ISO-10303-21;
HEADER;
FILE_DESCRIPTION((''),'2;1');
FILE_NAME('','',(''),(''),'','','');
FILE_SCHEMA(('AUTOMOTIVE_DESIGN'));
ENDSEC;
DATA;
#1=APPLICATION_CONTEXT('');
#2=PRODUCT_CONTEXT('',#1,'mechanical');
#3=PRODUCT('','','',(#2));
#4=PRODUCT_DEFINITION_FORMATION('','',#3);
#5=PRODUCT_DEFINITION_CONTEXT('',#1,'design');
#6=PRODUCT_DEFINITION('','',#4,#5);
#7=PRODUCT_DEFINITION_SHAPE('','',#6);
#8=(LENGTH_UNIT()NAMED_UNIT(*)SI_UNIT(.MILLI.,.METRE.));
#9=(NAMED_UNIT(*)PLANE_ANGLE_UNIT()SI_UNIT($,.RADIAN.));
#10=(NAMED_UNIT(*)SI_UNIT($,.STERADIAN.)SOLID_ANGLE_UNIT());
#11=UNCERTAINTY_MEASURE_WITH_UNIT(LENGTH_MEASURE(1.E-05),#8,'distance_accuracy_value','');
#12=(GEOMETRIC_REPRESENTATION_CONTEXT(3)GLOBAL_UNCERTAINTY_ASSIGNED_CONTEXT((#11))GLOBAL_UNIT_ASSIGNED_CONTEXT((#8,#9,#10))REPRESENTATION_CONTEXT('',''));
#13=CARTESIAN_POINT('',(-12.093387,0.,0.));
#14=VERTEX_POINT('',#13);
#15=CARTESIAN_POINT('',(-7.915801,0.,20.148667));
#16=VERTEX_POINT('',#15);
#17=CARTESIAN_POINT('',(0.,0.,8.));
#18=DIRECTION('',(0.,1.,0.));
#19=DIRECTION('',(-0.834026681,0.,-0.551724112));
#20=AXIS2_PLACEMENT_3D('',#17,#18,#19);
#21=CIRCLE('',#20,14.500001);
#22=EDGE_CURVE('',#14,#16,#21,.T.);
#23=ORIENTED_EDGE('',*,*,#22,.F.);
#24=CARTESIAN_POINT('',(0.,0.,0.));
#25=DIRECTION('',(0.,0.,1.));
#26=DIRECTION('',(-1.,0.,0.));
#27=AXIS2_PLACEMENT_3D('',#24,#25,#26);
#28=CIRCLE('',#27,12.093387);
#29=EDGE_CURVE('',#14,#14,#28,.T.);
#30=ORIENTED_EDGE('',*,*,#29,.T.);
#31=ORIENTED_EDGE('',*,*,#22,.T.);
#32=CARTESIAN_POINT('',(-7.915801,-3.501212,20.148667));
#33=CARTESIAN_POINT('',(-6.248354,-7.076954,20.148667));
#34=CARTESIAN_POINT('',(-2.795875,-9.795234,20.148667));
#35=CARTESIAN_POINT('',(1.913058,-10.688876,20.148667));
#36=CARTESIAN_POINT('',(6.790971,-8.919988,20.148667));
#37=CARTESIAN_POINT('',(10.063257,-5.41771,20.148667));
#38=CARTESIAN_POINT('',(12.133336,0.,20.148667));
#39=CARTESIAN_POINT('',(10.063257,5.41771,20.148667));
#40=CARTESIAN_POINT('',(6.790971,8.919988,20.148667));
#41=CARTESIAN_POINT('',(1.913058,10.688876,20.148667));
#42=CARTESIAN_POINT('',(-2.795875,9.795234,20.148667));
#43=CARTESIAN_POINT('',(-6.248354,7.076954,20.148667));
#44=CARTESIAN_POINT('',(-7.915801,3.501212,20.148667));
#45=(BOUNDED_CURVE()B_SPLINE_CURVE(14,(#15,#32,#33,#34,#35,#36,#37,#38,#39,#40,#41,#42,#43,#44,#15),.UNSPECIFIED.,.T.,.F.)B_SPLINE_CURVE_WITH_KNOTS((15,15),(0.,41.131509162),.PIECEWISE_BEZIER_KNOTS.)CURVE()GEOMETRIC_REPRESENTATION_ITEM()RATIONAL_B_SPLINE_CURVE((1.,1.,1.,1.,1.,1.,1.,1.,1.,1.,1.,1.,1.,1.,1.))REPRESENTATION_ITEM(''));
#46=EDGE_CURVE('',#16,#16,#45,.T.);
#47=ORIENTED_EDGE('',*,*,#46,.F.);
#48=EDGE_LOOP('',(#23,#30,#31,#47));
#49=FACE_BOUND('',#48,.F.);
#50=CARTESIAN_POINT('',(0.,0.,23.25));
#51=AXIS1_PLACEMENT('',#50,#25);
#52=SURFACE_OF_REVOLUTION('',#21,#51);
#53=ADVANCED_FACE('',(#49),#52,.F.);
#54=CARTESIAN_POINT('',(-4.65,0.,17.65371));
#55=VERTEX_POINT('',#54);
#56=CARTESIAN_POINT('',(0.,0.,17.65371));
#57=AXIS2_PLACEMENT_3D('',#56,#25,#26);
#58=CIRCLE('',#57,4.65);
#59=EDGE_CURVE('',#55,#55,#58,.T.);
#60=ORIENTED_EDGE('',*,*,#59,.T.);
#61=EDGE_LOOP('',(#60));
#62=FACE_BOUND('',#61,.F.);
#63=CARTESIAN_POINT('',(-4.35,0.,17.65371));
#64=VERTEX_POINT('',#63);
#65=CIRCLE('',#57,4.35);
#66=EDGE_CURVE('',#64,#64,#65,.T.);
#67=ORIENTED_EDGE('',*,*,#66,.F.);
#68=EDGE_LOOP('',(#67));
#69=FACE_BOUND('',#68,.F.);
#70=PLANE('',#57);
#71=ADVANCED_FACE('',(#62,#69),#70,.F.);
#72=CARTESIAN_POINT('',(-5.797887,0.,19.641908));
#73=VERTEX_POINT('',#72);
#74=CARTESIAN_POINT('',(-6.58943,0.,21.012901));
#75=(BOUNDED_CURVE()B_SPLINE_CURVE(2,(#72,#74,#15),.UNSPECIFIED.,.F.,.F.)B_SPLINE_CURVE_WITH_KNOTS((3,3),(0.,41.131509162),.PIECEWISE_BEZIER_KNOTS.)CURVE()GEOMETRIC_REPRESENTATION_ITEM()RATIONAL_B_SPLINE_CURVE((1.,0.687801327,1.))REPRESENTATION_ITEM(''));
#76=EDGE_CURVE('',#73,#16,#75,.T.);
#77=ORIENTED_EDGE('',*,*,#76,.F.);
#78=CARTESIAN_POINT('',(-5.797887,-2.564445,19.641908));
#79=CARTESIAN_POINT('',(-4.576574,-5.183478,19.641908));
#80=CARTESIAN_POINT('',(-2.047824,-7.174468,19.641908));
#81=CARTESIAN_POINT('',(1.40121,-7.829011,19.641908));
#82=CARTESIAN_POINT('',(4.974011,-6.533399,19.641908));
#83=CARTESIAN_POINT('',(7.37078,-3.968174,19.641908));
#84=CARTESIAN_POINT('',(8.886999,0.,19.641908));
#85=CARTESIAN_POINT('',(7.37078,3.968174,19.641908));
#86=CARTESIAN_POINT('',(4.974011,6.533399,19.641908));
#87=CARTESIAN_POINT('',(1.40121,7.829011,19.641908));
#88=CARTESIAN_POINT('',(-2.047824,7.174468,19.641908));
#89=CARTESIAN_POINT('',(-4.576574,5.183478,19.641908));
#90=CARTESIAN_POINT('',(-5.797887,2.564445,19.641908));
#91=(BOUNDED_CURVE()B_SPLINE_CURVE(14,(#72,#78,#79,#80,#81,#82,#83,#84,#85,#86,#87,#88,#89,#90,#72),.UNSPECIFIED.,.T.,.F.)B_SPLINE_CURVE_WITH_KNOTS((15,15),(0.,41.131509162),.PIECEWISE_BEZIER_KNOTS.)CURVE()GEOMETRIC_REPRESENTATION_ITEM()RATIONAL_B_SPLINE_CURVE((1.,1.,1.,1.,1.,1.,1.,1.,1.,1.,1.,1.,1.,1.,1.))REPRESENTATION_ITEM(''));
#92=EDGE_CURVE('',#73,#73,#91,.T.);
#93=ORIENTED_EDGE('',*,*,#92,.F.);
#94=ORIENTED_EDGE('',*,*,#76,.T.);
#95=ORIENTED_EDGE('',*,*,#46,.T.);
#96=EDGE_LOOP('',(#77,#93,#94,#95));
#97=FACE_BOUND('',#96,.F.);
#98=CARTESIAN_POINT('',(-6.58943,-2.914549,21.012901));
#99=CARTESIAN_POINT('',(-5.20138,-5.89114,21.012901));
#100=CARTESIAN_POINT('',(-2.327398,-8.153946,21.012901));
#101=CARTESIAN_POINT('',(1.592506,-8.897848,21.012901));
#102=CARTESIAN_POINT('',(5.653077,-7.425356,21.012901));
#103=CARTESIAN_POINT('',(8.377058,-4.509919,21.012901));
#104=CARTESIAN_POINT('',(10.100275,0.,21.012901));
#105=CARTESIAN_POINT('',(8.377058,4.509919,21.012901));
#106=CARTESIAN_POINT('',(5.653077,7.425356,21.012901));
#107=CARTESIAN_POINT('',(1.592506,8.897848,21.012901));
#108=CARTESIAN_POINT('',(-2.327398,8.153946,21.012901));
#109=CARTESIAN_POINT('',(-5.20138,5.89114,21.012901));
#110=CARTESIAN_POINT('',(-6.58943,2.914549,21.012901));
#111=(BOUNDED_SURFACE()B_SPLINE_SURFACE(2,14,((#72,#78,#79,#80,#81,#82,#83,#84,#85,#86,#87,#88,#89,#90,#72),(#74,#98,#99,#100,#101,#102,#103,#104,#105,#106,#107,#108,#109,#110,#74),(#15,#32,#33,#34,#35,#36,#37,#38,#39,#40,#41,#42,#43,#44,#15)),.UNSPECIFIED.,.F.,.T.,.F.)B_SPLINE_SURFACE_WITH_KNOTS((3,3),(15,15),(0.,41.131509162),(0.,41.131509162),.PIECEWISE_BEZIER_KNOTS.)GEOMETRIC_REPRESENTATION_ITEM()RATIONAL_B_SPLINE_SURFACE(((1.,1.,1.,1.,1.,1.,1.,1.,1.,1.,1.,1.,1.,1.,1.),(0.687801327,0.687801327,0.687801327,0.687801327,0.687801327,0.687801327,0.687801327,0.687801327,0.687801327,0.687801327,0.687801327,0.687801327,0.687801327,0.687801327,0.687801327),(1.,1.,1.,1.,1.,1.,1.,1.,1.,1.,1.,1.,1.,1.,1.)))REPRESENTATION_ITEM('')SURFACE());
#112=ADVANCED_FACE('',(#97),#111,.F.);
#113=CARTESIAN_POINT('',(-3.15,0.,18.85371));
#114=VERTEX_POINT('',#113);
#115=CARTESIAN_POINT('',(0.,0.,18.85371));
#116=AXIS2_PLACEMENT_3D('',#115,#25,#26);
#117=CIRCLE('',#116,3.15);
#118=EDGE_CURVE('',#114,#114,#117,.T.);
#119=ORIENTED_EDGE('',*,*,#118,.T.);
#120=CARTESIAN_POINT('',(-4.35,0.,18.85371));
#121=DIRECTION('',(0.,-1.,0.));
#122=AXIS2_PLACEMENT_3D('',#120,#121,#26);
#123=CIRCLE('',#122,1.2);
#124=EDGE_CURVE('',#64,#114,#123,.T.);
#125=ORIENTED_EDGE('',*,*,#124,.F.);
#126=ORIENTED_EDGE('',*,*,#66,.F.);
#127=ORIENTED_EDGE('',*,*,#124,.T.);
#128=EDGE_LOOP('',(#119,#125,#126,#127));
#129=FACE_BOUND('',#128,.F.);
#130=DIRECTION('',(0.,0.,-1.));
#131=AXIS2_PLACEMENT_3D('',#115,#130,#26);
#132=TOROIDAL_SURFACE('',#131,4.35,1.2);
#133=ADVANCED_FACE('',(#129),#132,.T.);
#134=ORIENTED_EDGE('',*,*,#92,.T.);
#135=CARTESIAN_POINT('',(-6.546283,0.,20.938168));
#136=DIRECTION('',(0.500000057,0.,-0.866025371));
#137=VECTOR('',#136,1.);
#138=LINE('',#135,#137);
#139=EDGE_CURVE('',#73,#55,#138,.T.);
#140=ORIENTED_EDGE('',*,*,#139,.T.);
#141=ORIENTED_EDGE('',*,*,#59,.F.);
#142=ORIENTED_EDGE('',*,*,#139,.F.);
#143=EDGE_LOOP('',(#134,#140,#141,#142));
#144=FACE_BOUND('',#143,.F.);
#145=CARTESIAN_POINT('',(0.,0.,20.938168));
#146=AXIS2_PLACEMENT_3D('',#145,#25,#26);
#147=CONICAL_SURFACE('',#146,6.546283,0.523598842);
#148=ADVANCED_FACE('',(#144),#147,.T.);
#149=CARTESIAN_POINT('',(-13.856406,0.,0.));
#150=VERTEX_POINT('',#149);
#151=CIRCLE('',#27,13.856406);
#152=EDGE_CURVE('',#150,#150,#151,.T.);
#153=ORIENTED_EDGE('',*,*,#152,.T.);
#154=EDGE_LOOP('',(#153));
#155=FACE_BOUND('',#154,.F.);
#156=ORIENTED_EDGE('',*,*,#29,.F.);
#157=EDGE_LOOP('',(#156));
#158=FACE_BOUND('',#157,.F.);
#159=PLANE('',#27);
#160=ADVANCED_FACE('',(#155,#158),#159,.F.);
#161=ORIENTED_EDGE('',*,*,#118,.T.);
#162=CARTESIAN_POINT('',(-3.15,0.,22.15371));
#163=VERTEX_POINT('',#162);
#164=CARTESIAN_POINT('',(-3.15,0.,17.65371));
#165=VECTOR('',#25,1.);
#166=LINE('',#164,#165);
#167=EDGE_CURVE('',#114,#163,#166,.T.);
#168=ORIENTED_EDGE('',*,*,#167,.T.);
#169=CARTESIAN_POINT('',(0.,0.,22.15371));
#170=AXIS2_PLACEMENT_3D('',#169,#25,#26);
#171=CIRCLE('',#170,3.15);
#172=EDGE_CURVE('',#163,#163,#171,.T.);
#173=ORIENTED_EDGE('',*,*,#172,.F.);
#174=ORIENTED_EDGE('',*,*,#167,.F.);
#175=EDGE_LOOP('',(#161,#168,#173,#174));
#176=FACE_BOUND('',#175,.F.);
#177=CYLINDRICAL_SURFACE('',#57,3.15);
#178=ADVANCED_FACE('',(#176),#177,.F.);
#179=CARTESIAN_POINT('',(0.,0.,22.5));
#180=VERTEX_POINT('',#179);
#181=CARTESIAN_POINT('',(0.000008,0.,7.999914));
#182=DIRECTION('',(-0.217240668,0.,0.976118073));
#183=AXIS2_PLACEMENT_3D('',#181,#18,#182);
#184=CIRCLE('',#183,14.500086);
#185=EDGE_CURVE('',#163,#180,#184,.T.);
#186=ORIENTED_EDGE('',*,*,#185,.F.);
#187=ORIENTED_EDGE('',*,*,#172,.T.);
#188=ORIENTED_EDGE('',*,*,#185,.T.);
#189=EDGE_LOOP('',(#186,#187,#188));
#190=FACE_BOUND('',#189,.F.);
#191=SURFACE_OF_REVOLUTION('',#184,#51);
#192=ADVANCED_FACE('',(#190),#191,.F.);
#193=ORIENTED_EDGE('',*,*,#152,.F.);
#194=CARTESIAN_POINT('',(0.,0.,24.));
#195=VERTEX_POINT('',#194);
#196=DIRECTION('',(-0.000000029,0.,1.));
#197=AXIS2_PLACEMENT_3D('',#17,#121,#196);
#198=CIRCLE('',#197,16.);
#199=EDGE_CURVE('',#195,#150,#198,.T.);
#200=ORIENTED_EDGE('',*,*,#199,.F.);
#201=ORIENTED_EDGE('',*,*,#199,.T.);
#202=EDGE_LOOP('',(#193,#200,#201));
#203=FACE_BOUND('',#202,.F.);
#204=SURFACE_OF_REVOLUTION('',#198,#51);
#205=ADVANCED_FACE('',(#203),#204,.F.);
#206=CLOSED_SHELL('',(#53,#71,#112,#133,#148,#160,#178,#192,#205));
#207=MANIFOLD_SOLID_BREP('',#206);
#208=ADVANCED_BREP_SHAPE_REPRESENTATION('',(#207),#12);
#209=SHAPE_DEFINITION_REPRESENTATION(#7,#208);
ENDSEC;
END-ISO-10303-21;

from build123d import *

# Parameters (mm, degrees)
F2_R = 1.2
F3_R = 1.5


with BuildPart() as f1:
    # F0 (on Front) → F1 (revolve)
    with BuildSketch(Plane.XZ):
        with BuildLine():
            Line((0, 22.5), (0, 24))
            ThreePointArc((0, 24), (-13.856406, 16), (-13.856406, 0))
            Line((-13.856406, 0), (-12.093387, 0))
            ThreePointArc((-12.093387, 0), (-14.016456, 11.71335), (-6.546283, 20.938168))
            ThreePointArc((-6.546283, 20.938168), (-5.612272, 21.369832), (-4.65, 21.734173))
            ThreePointArc((-4.65, 21.734173), (-3.905637, 21.964097), (-3.15, 22.15371))
            ThreePointArc((-3.15, 22.15371), (-1.584489, 22.413167), (0, 22.5))
        make_face()
        with BuildLine():
            Line((-3.15, 17.65371), (-3.15, 22.15371))
            ThreePointArc((-3.15, 22.15371), (-3.905637, 21.964097), (-4.65, 21.734173))
            Line((-4.65, 21.734173), (-4.65, 17.65371))
            Line((-4.65, 17.65371), (-3.15, 17.65371))
        make_face()
        with BuildLine():
            ThreePointArc((-4.65, 21.734173), (-5.612272, 21.369832), (-6.546283, 20.938168))
            Line((-6.546283, 20.938168), (-4.65, 17.65371))
            Line((-4.65, 17.65371), (-4.65, 21.734173))
        make_face()
    revolve(axis=Axis((0, 0, 23.25), (0, 0, 1)))

    # F2
    f2_edges = [f1.edges().sort_by_distance(p)[0] for p in [
        (3.15, 0, 17.65371),
    ]]
    fillet(f2_edges, radius=F2_R)

    # F3
    f3_edges = [f1.edges().sort_by_distance(p)[0] for p in [
        (6.546283, 0, 20.938168),
    ]]
    fillet(f3_edges, radius=F3_R)


solid = f1.part
